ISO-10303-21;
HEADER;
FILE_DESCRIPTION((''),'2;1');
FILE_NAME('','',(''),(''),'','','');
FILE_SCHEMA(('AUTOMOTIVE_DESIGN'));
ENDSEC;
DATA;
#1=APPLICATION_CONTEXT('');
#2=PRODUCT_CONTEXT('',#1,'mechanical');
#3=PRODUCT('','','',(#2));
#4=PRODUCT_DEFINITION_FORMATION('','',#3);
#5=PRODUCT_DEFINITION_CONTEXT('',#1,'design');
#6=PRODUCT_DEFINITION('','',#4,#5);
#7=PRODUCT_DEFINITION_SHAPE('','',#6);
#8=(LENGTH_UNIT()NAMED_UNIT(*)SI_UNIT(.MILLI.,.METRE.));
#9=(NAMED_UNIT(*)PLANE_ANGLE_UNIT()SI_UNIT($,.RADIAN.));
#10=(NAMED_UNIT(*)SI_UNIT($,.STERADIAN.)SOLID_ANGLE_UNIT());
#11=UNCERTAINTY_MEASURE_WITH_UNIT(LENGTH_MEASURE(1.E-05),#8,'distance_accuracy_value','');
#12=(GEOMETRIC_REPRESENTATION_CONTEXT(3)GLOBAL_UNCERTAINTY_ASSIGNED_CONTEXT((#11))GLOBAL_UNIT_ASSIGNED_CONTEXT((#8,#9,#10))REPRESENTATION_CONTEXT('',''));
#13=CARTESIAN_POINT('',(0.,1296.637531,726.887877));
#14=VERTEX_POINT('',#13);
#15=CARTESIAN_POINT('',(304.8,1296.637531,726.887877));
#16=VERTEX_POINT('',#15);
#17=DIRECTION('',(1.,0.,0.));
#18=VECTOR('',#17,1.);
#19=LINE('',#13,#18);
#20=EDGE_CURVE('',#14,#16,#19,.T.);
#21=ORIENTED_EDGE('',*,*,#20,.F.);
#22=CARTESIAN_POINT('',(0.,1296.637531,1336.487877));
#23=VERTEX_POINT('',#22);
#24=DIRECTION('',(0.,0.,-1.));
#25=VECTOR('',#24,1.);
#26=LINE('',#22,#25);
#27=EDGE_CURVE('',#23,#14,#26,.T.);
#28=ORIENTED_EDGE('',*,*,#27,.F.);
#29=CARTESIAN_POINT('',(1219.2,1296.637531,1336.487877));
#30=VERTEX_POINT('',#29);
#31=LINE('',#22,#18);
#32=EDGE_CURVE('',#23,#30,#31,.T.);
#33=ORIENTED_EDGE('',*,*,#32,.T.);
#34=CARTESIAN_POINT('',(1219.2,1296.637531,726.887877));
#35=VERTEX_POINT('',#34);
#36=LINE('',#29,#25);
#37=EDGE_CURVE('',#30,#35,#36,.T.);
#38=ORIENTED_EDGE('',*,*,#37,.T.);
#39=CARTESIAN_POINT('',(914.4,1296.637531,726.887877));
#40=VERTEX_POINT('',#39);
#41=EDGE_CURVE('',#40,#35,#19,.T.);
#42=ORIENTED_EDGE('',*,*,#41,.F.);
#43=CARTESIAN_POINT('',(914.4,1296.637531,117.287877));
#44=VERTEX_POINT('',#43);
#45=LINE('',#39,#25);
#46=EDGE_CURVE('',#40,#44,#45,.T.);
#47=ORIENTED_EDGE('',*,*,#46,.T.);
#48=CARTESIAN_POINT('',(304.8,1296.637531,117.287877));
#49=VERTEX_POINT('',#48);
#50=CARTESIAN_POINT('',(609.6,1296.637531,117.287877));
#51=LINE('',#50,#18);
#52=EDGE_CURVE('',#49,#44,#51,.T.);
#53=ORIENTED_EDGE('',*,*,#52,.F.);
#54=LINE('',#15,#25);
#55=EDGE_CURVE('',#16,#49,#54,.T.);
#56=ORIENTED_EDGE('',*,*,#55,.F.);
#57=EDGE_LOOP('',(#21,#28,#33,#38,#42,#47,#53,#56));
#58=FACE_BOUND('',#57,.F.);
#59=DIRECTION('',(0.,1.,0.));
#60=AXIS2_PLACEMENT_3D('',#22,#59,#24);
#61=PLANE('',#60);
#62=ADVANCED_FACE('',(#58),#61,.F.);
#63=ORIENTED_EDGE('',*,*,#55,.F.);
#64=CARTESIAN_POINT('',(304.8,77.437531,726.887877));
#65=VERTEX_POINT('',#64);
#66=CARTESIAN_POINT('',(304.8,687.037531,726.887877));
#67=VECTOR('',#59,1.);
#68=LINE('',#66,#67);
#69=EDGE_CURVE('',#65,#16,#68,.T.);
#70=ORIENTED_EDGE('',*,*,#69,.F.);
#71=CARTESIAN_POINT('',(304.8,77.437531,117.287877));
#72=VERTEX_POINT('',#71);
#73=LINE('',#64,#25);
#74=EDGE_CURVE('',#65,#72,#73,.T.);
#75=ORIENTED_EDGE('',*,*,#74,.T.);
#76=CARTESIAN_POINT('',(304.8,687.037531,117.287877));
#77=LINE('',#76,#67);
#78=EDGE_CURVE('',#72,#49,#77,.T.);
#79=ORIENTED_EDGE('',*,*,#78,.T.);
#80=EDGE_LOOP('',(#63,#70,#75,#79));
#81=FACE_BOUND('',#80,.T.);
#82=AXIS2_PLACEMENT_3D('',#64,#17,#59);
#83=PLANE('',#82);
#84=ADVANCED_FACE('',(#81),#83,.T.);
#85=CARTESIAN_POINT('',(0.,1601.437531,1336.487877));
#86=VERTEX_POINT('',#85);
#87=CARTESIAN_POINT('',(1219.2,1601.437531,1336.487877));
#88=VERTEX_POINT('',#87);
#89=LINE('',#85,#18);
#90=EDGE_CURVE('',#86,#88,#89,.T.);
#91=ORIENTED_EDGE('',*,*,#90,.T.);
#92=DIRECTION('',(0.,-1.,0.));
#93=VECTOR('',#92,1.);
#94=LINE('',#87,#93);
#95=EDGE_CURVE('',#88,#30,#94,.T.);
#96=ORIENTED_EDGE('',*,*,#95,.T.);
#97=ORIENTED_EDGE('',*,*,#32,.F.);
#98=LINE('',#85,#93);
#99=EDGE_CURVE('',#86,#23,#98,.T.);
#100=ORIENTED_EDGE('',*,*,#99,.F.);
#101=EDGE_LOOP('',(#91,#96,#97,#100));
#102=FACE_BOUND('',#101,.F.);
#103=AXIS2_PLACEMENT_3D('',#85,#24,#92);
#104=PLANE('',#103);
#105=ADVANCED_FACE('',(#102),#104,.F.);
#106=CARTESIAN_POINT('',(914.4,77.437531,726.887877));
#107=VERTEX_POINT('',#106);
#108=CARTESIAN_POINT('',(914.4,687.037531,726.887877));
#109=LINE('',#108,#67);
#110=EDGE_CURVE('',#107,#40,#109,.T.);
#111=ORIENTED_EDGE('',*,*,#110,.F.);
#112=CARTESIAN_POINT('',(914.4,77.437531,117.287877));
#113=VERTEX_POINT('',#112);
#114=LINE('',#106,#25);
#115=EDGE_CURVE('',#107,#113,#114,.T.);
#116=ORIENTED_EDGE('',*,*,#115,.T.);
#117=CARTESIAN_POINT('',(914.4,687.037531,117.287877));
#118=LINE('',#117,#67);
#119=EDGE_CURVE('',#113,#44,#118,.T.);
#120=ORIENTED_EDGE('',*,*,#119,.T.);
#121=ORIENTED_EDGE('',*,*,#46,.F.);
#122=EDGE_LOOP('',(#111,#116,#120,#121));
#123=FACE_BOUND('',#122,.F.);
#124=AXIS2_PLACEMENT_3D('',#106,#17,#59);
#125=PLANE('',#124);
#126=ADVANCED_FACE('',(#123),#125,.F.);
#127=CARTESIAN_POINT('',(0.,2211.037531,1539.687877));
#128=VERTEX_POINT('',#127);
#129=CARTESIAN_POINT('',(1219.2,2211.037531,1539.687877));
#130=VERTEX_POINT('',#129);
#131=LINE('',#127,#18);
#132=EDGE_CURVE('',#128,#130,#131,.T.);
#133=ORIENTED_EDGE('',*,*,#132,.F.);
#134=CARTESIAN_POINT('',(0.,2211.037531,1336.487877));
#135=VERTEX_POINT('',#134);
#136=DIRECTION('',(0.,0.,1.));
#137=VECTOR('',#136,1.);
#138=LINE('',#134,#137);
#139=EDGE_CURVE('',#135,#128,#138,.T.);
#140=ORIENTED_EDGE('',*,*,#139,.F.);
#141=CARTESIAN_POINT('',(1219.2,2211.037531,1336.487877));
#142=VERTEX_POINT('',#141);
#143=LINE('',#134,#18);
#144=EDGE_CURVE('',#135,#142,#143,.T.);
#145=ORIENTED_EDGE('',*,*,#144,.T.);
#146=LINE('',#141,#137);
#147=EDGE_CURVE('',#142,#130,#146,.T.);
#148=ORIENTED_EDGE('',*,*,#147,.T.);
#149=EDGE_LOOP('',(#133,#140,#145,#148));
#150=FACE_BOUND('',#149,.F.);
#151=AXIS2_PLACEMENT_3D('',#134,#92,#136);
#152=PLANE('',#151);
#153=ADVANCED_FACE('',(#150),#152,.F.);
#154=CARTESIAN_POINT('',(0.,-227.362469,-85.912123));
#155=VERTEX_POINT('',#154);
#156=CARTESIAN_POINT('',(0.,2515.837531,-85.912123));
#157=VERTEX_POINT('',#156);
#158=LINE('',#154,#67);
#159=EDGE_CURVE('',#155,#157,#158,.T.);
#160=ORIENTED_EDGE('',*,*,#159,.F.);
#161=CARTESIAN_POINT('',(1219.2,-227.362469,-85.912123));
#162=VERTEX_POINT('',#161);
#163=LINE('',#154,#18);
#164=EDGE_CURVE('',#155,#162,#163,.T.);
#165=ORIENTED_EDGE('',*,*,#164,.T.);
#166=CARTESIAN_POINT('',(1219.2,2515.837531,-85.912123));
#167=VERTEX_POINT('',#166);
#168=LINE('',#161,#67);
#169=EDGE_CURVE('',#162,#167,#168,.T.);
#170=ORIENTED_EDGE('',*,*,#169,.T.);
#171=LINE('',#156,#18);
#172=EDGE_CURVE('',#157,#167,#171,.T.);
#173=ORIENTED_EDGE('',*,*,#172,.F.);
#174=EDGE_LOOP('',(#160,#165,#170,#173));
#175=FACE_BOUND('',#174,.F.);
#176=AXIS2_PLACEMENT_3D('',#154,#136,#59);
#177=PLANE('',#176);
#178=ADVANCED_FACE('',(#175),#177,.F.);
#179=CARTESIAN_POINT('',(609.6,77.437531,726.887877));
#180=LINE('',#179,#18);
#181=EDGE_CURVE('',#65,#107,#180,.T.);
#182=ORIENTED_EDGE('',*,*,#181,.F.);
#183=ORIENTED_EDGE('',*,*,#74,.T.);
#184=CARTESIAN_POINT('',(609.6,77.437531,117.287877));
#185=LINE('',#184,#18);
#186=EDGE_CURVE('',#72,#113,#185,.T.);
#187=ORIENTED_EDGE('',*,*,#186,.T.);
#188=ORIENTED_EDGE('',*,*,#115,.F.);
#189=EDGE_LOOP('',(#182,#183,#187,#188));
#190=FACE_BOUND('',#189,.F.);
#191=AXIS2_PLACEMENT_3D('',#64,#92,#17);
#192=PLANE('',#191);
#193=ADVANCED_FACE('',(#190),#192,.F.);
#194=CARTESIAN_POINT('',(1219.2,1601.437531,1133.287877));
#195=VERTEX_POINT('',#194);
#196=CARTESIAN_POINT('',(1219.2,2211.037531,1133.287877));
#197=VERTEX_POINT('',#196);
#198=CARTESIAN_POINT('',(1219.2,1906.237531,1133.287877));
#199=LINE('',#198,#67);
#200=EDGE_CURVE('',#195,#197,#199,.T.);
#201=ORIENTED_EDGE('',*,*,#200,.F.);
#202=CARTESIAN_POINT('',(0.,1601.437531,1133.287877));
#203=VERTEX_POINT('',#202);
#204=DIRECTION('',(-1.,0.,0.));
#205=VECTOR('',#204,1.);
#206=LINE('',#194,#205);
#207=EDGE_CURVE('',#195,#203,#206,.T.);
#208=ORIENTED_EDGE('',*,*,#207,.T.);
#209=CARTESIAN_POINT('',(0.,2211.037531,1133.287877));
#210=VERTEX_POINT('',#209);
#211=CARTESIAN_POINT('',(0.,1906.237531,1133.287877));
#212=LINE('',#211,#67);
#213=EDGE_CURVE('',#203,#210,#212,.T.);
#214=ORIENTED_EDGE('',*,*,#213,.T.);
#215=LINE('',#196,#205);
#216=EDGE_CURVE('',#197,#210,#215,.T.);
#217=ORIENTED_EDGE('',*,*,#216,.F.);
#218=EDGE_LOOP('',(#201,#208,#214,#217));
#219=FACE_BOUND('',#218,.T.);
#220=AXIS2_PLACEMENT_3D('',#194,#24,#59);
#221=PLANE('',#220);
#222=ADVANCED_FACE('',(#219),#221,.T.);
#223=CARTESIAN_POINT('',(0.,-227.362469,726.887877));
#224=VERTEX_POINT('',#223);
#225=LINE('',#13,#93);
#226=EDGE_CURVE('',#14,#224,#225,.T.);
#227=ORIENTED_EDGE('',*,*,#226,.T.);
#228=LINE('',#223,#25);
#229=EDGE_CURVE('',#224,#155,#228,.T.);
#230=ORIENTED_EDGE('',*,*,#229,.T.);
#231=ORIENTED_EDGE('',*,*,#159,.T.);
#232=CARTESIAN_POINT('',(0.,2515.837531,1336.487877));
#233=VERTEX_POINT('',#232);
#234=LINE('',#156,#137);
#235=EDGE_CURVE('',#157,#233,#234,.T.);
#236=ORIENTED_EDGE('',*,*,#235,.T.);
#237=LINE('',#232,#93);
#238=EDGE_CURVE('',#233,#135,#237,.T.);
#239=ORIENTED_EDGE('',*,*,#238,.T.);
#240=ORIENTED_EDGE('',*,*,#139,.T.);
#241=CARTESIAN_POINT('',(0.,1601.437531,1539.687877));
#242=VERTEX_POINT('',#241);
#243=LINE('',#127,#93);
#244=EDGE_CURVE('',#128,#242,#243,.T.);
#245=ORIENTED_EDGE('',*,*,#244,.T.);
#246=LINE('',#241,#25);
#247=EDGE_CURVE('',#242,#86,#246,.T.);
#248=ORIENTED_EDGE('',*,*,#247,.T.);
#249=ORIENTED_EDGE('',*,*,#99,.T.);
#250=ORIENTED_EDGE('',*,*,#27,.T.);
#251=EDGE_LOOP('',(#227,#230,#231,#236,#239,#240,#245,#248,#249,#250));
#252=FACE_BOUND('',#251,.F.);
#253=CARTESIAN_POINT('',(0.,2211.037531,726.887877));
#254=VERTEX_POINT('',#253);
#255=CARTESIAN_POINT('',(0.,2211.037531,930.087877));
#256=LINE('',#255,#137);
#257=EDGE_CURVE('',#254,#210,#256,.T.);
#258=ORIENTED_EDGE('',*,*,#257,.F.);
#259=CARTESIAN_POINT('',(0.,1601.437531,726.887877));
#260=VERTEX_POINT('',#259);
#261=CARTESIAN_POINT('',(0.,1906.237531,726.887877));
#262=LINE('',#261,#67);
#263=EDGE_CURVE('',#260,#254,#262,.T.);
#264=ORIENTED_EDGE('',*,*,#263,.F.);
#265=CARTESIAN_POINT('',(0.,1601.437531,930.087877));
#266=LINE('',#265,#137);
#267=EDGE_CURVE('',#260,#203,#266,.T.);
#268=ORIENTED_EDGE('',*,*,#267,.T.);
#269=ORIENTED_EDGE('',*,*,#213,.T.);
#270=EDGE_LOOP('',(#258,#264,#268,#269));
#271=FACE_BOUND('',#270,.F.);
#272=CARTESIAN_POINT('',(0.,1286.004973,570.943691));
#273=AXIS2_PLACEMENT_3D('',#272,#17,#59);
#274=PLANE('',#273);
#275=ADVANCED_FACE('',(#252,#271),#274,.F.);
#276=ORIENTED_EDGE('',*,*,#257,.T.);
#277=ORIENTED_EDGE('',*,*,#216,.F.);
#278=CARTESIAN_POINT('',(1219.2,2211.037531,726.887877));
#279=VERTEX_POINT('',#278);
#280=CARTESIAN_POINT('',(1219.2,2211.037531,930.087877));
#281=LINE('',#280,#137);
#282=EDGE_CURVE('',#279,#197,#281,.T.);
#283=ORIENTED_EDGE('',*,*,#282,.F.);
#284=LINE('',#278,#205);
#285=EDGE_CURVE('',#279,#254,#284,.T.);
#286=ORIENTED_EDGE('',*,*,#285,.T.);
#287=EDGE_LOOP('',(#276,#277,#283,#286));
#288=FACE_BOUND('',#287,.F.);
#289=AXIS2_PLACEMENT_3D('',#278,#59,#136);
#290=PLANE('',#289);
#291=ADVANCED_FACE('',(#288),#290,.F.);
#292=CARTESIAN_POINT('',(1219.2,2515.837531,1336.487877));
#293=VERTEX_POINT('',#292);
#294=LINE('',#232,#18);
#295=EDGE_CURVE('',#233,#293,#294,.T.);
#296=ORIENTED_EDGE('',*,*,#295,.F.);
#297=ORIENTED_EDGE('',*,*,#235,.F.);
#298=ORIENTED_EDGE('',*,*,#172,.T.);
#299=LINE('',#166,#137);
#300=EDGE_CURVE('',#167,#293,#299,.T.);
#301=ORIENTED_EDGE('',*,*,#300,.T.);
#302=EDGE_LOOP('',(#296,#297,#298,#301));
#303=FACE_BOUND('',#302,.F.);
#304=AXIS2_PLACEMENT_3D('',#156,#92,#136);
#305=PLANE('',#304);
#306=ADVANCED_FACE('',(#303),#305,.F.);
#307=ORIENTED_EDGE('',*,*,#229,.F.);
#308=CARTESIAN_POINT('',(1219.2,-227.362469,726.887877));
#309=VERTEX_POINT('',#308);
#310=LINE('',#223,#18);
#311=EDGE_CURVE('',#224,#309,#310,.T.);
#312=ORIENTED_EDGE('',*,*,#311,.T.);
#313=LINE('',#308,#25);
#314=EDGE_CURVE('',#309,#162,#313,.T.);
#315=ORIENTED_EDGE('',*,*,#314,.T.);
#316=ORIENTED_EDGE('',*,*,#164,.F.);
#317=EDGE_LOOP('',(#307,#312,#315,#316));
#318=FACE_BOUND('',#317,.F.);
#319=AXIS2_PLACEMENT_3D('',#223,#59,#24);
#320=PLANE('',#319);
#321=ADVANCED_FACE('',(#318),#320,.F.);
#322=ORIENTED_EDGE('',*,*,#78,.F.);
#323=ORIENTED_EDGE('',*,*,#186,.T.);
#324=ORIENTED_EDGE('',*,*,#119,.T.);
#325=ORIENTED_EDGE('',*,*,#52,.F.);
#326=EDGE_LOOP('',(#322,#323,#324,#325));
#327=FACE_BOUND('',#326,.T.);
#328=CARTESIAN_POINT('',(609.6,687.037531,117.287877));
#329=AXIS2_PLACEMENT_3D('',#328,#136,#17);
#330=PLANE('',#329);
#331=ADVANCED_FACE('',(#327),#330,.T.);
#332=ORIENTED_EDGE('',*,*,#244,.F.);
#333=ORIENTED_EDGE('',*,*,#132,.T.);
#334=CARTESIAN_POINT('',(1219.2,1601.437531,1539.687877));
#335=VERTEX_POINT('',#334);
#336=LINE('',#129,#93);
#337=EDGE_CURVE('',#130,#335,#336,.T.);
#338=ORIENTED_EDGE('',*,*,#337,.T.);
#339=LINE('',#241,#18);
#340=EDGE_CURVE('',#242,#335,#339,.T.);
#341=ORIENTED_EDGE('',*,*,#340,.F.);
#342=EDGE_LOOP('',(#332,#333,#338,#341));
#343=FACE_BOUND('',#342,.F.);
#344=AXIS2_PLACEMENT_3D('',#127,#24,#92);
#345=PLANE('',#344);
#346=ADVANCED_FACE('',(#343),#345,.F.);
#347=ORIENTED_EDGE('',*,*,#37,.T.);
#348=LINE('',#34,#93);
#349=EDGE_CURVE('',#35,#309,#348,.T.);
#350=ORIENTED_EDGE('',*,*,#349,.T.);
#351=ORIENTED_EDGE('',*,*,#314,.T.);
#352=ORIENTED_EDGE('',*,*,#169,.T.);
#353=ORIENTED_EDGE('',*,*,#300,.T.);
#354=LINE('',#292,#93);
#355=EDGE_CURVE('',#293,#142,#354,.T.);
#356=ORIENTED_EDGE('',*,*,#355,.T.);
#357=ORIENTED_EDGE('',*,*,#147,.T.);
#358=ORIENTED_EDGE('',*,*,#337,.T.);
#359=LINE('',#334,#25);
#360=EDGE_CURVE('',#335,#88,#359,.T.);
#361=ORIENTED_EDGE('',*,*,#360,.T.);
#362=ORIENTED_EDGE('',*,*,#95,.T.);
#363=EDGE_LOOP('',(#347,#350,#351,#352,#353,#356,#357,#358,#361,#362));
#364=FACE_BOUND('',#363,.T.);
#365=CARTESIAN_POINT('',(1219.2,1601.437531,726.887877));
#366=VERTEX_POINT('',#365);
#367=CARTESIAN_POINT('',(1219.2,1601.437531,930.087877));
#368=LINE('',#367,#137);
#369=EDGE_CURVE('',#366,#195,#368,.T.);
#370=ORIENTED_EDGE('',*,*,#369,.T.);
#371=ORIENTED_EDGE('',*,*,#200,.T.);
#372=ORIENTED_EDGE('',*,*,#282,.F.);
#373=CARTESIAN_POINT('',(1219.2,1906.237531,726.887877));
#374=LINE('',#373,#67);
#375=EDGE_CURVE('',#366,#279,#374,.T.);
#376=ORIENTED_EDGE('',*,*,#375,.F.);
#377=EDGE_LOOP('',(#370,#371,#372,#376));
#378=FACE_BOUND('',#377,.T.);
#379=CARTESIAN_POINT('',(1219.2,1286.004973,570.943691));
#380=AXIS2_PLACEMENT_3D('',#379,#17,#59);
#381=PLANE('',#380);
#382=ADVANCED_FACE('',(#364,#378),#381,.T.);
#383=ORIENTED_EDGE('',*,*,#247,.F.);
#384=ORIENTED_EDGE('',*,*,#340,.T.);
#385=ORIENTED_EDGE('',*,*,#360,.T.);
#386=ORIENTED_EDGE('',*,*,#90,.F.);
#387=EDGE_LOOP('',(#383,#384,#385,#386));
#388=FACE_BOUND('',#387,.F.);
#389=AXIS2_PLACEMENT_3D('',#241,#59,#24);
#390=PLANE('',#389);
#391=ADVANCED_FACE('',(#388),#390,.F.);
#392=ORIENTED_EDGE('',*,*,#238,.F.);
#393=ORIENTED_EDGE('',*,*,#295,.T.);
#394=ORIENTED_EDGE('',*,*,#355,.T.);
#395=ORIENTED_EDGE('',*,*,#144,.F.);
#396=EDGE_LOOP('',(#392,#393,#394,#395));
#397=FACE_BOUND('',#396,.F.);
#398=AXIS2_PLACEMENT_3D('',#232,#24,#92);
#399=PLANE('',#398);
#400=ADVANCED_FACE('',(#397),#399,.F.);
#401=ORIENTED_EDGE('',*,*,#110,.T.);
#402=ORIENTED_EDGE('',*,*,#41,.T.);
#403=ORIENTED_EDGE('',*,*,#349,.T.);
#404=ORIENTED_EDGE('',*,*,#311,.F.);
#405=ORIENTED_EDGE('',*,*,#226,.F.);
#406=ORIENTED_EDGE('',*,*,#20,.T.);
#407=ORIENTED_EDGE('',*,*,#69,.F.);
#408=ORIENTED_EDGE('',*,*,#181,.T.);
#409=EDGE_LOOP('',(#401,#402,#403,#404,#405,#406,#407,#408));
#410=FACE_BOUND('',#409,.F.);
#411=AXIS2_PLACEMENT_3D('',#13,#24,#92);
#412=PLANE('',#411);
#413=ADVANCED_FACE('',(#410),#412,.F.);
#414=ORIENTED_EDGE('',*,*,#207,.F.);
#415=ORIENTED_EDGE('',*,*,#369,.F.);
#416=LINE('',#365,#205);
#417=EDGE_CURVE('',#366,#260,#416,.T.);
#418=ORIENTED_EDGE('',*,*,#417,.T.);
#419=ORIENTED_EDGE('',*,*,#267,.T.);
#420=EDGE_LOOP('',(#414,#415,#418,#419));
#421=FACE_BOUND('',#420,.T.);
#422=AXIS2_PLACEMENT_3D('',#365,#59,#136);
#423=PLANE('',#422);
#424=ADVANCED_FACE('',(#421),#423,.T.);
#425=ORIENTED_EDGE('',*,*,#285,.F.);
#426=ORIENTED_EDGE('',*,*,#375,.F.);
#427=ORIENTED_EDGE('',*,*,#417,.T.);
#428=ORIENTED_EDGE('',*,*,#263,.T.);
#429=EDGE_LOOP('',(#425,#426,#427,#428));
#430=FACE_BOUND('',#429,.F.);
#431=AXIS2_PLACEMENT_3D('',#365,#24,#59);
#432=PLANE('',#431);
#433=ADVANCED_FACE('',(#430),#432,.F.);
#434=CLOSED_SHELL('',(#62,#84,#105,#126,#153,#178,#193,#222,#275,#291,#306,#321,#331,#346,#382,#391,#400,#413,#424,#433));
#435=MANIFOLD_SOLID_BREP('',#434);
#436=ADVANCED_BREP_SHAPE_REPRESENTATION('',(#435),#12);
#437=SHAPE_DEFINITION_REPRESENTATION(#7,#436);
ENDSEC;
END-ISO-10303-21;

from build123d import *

# Parameters (mm, degrees)
F1_DEPTH = 1219.2
F2_W     = 609.6
F2_H     = 406.4
F3_DEPTH = 1219.2
F4_W     = 609.6
F4_H     = 1219.2
F5_DEPTH = 609.6


with BuildPart() as f1:
    # F0 (on Right) → F1 (new body)
    with BuildSketch(Plane.YZ):
        Polygon((-227.362469, 726.887877), (-227.362469, -85.912123), (2515.837531, -85.912123), (2515.837531, 1336.487877), (2211.037531, 1336.487877), (2211.037531, 1539.687877), (1601.437531, 1539.687877), (1601.437531, 1336.487877), (1296.637531, 1336.487877), (1296.637531, 726.887877), align=None)
    extrude(amount=F1_DEPTH)

    # F2 (on face) → F3 (cut)
    with BuildSketch(Plane.YZ.offset(1219.2)):
        with Locations((1906.237531, 930.087877)):
            Rectangle(F2_W, F2_H)
    extrude(amount=-F3_DEPTH, mode=Mode.SUBTRACT)

    # F4 (on face) → F5 (cut)
    with BuildSketch(Plane.XY.offset(726.887877)):
        with Locations((609.6, 687.037531)):
            Rectangle(F4_W, F4_H)
    extrude(amount=-F5_DEPTH, mode=Mode.SUBTRACT)


solid = f1.part
